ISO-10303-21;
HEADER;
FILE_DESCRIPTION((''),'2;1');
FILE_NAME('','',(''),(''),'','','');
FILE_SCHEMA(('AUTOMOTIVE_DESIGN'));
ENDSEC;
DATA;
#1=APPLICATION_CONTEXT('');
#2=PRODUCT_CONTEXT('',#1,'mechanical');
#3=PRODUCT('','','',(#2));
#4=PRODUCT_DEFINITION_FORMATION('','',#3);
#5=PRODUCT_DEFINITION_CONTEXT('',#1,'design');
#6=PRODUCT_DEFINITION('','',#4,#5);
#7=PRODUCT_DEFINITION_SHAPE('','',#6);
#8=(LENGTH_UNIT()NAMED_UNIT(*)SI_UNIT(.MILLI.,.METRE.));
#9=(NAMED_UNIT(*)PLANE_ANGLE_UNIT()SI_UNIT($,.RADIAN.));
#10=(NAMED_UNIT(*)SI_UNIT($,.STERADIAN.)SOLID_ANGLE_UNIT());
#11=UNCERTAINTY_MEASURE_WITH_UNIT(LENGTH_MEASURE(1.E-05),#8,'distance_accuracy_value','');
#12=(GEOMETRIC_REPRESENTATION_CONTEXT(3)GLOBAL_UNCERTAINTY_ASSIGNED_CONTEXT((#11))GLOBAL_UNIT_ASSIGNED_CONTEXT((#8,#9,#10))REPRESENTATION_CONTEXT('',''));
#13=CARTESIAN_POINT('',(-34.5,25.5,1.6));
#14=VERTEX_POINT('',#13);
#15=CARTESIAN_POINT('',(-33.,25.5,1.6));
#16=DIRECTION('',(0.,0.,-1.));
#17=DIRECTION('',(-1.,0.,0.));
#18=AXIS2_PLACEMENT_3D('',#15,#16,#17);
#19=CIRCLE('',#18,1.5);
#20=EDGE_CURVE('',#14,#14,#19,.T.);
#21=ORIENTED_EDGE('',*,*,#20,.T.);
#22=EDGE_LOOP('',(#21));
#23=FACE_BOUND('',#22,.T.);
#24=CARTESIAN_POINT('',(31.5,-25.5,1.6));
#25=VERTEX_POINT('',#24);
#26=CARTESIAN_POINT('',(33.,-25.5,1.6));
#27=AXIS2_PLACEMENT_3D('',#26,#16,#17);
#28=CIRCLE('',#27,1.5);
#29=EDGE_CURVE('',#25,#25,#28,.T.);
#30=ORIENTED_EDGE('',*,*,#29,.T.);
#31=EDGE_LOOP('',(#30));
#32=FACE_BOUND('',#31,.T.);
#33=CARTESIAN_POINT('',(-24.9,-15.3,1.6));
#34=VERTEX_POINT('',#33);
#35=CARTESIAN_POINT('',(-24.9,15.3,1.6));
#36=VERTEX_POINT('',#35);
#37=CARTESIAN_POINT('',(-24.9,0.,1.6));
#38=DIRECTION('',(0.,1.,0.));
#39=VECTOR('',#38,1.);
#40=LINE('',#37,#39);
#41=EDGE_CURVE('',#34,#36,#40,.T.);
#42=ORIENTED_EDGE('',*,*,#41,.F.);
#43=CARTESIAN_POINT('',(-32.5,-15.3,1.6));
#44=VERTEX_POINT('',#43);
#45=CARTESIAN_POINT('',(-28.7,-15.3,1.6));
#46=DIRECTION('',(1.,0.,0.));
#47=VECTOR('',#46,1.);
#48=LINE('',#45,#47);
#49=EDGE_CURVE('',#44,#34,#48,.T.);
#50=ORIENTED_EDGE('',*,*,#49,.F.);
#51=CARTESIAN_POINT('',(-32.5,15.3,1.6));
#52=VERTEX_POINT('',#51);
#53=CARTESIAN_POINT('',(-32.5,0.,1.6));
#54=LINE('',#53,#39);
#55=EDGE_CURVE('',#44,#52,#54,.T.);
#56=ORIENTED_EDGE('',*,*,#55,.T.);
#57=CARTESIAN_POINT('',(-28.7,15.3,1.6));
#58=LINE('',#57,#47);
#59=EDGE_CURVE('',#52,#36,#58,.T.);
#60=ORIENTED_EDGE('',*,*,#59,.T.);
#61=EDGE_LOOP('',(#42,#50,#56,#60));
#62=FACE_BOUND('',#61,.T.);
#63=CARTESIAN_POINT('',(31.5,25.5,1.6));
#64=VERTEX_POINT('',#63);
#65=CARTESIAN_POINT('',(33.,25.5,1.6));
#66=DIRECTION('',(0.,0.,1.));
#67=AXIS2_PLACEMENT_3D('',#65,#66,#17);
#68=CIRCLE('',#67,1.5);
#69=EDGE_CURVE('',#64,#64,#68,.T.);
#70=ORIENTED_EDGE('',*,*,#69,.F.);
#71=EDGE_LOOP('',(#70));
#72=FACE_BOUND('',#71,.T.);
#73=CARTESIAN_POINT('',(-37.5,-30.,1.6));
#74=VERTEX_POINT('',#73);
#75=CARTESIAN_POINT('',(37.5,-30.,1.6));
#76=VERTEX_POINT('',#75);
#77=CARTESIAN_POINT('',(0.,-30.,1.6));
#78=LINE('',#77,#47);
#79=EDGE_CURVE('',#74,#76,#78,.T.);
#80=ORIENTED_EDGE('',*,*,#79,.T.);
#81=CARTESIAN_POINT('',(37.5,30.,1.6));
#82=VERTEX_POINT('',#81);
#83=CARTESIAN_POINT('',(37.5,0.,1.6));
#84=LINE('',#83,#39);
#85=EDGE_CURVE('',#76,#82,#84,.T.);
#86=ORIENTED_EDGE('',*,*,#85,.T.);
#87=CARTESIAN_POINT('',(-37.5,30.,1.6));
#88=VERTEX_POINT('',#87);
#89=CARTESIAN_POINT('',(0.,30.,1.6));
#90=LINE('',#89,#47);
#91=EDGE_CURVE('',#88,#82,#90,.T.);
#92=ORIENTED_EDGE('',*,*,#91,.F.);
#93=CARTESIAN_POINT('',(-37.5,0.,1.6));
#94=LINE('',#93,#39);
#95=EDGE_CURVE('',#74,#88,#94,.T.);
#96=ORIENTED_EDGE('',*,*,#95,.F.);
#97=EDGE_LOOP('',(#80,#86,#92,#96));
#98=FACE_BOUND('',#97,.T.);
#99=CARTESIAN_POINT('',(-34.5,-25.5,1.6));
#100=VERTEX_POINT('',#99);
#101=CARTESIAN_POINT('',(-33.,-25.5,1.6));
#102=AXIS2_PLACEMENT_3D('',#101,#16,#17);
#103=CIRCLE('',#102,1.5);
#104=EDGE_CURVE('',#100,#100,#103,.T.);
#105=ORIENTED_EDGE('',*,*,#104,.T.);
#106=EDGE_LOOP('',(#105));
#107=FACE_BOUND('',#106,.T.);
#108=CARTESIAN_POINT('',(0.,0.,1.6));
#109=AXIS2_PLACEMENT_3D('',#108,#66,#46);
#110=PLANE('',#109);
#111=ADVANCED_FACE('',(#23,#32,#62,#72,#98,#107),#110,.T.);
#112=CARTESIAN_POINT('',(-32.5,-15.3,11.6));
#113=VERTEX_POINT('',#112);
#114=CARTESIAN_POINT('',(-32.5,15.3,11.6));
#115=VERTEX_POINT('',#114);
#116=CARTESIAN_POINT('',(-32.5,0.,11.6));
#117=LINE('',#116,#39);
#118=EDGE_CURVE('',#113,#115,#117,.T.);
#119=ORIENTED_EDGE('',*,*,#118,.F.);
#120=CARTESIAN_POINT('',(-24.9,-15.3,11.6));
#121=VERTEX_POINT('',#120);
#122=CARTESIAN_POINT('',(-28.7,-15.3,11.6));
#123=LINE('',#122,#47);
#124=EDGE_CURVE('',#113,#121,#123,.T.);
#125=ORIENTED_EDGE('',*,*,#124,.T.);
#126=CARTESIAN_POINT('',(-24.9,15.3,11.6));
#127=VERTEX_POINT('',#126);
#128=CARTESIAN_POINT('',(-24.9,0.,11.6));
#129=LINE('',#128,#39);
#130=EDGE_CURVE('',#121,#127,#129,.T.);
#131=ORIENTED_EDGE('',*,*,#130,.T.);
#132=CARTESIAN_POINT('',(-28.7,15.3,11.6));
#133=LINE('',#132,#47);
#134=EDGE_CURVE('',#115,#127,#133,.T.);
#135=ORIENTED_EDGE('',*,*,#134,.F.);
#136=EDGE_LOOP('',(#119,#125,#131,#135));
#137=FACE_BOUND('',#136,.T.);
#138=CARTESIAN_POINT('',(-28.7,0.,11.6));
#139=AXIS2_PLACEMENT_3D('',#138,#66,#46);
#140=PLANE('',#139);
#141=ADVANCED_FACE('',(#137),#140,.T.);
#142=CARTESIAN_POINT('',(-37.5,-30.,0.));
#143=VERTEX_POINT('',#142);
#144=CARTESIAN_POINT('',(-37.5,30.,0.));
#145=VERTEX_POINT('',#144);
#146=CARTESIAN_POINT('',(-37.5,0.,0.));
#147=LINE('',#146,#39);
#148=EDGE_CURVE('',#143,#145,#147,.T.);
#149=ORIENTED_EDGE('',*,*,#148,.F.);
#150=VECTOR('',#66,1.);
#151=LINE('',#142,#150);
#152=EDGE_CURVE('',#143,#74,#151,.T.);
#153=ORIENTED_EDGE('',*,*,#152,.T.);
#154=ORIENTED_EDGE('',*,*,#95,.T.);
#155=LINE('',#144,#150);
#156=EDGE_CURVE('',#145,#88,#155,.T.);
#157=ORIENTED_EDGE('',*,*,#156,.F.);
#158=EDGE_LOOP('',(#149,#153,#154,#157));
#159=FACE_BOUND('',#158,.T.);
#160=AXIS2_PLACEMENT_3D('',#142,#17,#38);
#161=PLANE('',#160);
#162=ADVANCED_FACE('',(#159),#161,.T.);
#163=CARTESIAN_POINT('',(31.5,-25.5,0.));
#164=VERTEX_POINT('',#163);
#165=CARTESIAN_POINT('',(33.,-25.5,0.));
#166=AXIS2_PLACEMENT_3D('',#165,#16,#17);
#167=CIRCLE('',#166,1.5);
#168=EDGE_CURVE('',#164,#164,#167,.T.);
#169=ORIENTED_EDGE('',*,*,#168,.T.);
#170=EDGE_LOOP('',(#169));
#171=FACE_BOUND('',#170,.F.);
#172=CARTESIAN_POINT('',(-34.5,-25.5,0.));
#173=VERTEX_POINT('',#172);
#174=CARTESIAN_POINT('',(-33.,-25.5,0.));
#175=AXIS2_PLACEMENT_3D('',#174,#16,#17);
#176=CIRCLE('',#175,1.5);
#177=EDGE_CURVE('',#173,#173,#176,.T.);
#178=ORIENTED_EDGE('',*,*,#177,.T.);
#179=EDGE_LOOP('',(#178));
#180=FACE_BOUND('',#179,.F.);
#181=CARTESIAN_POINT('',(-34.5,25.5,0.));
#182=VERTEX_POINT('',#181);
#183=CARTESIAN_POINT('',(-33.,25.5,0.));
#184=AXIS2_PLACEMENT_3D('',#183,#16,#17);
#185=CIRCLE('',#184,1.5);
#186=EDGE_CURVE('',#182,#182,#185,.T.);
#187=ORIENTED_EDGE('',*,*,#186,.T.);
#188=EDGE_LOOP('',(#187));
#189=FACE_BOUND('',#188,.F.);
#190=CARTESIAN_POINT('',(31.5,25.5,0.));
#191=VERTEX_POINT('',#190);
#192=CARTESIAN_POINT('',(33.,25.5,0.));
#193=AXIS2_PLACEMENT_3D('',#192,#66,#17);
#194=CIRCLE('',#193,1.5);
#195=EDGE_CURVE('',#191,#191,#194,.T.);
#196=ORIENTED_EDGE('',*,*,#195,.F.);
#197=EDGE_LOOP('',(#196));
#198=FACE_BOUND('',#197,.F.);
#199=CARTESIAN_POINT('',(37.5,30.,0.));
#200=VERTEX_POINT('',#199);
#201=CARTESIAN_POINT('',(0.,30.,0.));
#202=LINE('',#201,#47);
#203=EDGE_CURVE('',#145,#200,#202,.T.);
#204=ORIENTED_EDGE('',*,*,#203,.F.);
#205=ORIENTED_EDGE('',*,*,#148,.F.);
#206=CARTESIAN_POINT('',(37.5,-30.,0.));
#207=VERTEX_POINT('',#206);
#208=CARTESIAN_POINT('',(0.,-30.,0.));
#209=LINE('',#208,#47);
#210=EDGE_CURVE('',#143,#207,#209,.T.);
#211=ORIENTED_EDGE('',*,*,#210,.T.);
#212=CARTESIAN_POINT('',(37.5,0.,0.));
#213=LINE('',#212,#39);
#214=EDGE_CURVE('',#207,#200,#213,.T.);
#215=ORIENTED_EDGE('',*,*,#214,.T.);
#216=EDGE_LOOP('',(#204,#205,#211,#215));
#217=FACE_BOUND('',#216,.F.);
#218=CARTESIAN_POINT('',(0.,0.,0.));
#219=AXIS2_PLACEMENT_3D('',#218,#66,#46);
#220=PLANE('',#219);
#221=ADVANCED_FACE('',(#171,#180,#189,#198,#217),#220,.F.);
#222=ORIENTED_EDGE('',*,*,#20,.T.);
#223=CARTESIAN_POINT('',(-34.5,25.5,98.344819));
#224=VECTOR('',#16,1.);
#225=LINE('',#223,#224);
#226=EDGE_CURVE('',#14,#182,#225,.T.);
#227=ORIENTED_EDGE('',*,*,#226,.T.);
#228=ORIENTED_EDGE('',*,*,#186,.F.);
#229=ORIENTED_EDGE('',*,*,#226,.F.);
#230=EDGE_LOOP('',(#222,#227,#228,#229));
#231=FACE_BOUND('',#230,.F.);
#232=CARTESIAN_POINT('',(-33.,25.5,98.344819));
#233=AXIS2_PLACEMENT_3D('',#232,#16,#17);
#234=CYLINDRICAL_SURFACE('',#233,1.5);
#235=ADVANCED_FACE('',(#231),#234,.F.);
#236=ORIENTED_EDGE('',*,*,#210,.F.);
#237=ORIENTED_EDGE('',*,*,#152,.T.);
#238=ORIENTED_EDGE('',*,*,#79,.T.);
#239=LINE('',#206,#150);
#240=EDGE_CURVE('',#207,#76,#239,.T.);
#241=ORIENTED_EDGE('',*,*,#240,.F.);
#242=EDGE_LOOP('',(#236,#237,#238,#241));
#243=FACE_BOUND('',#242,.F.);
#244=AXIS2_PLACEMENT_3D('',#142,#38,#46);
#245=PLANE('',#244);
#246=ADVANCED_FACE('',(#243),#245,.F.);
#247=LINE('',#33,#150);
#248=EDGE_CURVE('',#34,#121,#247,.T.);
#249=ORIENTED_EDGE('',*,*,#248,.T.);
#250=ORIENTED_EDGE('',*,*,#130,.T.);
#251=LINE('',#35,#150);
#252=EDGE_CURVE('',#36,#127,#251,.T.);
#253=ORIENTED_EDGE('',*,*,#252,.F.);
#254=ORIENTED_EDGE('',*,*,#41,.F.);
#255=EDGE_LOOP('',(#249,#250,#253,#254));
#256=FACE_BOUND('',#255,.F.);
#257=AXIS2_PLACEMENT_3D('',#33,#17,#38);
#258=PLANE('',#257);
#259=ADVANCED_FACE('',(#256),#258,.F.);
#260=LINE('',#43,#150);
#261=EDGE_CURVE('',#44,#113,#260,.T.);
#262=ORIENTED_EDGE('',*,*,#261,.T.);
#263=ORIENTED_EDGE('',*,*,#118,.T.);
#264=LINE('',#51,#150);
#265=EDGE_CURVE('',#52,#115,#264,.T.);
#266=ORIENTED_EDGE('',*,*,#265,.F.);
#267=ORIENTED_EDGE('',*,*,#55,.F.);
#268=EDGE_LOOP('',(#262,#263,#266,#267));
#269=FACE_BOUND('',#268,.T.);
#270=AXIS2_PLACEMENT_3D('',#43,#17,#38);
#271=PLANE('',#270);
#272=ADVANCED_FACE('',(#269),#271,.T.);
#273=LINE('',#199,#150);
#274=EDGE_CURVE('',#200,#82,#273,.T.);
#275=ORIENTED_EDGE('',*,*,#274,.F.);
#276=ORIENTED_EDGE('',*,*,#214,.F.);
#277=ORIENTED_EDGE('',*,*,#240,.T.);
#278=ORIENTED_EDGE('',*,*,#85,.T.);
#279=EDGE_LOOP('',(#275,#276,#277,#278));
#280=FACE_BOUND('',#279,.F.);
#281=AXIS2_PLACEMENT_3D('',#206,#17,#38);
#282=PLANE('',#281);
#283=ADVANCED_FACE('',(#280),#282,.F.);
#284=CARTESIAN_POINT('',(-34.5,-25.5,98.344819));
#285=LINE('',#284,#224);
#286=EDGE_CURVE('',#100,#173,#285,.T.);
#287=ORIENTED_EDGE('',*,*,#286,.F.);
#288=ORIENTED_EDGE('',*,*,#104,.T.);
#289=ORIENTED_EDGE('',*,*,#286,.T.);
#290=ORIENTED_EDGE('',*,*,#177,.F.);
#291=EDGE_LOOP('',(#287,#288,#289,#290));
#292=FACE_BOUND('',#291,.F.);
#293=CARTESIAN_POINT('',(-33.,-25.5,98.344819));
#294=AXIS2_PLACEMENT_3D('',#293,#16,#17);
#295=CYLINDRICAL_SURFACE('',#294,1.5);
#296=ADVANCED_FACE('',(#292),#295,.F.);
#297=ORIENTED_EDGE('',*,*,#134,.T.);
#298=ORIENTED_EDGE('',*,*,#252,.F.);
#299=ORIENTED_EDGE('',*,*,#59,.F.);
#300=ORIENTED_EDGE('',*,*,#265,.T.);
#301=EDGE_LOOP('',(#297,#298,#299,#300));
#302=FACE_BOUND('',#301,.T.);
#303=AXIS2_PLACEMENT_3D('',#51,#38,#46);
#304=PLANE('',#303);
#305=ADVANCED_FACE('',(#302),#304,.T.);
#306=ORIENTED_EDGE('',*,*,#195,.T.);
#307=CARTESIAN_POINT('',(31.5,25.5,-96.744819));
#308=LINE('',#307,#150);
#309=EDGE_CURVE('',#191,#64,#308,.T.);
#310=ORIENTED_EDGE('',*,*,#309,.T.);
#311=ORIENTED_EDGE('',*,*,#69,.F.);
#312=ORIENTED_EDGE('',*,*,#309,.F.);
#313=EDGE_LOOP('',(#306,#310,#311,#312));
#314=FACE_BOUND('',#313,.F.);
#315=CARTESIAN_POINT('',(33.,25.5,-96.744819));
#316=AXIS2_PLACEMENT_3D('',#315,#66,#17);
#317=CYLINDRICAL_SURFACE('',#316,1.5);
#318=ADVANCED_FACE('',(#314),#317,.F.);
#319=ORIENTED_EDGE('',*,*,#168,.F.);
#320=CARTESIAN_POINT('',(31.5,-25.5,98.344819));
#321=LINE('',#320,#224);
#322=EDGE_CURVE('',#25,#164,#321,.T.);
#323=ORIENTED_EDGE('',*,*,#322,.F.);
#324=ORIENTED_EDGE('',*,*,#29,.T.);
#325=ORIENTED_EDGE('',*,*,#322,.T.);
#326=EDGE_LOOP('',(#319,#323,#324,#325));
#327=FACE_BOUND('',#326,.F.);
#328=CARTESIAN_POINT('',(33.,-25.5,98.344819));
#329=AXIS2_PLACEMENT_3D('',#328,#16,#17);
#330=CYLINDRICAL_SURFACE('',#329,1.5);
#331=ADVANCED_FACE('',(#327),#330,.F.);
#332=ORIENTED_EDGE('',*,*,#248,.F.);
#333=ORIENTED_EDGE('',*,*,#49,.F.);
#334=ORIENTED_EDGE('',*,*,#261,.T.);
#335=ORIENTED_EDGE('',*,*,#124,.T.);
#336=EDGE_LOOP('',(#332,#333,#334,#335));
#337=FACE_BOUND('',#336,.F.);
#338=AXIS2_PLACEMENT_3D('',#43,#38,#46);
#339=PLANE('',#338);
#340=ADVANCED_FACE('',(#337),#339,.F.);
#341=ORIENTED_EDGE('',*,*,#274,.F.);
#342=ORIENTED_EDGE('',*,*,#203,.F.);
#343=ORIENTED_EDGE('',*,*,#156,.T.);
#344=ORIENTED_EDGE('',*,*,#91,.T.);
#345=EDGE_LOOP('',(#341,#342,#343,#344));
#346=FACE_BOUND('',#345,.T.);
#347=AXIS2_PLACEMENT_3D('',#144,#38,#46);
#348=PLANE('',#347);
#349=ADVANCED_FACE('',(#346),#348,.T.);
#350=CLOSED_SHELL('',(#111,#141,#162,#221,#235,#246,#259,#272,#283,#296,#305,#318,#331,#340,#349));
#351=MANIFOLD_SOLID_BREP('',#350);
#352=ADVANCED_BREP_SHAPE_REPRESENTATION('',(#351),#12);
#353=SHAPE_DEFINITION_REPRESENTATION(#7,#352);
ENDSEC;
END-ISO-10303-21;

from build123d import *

# Parameters (mm, degrees)
F0_W     = 75
F0_H     = 60
F1_DEPTH = 1.6
F2_W     = 7.6
F2_H     = 30.6
F3_DEPTH = 10
F5_D     = 3
F7_D     = 3
F9_D     = 3
F11_D    = 3


with BuildPart() as f1:
    # F0 (on Top) → F1 (new body)
    with BuildSketch(Plane.XY):
        Rectangle(F0_W, F0_H)
    extrude(amount=F1_DEPTH)

    # F2 (on face) → F3 (join)
    with BuildSketch(Plane.XY.offset(1.6)):
        with Locations((-28.7, 2.328e-07)):
            Rectangle(F2_W, F2_H)
    extrude(amount=F3_DEPTH)

    # F5 (through all)
    with Locations(Plane.XY.offset(1.6)):
        with Locations((-33, 25.5)):
            Hole(F5_D / 2)

    # F7 (through all)
    with Locations(Plane(origin=(0, 0, 0), x_dir=(1, 0, 0), z_dir=(0, 0, -1))):
        with Locations((33, -25.5)):
            Hole(F7_D / 2)

    # F9 (through all)
    with Locations(Plane.XY.offset(1.6)):
        with Locations((33, -25.5)):
            Hole(F9_D / 2)

    # F11 (through all)
    with Locations(Plane.XY.offset(1.6)):
        with Locations((-33, -25.5)):
            Hole(F11_D / 2)


with BuildPart() as f12_1:
    # F12: copy of F1
    add(f1.part)


solid = f1.part
